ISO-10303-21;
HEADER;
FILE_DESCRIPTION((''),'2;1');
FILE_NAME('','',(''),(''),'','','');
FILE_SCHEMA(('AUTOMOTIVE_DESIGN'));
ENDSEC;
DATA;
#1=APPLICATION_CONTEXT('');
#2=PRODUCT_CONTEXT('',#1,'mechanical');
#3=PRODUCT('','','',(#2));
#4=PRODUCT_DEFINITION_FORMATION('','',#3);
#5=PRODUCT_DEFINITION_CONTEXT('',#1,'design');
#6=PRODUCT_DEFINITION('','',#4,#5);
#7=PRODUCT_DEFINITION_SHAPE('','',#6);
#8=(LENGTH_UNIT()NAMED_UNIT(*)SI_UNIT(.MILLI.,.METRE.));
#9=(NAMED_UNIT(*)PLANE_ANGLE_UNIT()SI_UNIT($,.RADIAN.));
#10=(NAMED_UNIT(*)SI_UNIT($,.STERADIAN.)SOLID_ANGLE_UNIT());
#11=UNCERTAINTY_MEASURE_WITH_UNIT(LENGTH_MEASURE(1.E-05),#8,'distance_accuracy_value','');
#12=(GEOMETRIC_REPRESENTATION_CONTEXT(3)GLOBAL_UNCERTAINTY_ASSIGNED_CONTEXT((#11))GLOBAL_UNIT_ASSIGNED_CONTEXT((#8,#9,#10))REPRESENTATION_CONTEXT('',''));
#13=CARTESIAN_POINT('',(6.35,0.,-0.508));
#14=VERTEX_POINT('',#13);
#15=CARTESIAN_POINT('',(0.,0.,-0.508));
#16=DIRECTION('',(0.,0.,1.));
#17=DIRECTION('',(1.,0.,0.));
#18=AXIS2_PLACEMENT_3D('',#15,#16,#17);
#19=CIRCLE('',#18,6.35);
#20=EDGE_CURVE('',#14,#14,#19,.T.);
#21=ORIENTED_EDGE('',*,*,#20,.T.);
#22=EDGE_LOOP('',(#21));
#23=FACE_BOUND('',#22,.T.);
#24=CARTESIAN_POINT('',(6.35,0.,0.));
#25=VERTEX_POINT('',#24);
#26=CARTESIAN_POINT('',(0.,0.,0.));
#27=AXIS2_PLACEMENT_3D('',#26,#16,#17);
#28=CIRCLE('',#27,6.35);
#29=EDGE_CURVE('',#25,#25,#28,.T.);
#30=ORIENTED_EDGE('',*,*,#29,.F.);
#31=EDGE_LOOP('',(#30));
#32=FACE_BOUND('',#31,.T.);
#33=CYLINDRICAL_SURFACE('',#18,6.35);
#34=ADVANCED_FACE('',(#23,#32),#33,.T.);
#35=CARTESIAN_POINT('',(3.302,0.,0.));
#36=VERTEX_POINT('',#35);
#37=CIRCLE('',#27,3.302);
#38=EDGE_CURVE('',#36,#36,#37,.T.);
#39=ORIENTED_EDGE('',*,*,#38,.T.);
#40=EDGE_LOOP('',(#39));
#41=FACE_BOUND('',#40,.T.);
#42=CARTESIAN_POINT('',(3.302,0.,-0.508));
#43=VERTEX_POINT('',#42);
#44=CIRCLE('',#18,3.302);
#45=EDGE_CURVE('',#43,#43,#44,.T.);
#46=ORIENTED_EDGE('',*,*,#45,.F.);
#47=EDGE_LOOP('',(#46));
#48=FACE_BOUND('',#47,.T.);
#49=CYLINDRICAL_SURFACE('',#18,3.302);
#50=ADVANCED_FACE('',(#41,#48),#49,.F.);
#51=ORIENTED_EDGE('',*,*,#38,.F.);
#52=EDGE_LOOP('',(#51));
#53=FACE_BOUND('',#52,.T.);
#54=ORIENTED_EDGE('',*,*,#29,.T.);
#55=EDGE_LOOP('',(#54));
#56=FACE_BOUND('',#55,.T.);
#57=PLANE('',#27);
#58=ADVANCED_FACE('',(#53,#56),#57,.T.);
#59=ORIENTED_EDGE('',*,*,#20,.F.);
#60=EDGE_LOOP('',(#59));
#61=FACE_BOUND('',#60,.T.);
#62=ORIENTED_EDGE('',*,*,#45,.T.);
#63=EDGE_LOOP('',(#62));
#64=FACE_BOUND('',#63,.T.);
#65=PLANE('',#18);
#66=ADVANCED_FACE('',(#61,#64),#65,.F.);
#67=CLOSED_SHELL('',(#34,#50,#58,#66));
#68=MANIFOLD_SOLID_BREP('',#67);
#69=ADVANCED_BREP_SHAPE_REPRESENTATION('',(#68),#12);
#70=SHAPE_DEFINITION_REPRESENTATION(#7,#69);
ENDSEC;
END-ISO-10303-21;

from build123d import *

# Parameters (mm, degrees)
SKETCH1_R      = 6.35
SKETCH1_R_2    = 3.302
EXTRUDE1_DEPTH = 0.508


with BuildPart() as part:
    # Sketch1 → Extrude1 (new body)
    with BuildSketch(Plane.XY):
        Circle(SKETCH1_R)
        Circle(SKETCH1_R_2, mode=Mode.SUBTRACT)
    extrude(amount=-EXTRUDE1_DEPTH)


solid = part.part
